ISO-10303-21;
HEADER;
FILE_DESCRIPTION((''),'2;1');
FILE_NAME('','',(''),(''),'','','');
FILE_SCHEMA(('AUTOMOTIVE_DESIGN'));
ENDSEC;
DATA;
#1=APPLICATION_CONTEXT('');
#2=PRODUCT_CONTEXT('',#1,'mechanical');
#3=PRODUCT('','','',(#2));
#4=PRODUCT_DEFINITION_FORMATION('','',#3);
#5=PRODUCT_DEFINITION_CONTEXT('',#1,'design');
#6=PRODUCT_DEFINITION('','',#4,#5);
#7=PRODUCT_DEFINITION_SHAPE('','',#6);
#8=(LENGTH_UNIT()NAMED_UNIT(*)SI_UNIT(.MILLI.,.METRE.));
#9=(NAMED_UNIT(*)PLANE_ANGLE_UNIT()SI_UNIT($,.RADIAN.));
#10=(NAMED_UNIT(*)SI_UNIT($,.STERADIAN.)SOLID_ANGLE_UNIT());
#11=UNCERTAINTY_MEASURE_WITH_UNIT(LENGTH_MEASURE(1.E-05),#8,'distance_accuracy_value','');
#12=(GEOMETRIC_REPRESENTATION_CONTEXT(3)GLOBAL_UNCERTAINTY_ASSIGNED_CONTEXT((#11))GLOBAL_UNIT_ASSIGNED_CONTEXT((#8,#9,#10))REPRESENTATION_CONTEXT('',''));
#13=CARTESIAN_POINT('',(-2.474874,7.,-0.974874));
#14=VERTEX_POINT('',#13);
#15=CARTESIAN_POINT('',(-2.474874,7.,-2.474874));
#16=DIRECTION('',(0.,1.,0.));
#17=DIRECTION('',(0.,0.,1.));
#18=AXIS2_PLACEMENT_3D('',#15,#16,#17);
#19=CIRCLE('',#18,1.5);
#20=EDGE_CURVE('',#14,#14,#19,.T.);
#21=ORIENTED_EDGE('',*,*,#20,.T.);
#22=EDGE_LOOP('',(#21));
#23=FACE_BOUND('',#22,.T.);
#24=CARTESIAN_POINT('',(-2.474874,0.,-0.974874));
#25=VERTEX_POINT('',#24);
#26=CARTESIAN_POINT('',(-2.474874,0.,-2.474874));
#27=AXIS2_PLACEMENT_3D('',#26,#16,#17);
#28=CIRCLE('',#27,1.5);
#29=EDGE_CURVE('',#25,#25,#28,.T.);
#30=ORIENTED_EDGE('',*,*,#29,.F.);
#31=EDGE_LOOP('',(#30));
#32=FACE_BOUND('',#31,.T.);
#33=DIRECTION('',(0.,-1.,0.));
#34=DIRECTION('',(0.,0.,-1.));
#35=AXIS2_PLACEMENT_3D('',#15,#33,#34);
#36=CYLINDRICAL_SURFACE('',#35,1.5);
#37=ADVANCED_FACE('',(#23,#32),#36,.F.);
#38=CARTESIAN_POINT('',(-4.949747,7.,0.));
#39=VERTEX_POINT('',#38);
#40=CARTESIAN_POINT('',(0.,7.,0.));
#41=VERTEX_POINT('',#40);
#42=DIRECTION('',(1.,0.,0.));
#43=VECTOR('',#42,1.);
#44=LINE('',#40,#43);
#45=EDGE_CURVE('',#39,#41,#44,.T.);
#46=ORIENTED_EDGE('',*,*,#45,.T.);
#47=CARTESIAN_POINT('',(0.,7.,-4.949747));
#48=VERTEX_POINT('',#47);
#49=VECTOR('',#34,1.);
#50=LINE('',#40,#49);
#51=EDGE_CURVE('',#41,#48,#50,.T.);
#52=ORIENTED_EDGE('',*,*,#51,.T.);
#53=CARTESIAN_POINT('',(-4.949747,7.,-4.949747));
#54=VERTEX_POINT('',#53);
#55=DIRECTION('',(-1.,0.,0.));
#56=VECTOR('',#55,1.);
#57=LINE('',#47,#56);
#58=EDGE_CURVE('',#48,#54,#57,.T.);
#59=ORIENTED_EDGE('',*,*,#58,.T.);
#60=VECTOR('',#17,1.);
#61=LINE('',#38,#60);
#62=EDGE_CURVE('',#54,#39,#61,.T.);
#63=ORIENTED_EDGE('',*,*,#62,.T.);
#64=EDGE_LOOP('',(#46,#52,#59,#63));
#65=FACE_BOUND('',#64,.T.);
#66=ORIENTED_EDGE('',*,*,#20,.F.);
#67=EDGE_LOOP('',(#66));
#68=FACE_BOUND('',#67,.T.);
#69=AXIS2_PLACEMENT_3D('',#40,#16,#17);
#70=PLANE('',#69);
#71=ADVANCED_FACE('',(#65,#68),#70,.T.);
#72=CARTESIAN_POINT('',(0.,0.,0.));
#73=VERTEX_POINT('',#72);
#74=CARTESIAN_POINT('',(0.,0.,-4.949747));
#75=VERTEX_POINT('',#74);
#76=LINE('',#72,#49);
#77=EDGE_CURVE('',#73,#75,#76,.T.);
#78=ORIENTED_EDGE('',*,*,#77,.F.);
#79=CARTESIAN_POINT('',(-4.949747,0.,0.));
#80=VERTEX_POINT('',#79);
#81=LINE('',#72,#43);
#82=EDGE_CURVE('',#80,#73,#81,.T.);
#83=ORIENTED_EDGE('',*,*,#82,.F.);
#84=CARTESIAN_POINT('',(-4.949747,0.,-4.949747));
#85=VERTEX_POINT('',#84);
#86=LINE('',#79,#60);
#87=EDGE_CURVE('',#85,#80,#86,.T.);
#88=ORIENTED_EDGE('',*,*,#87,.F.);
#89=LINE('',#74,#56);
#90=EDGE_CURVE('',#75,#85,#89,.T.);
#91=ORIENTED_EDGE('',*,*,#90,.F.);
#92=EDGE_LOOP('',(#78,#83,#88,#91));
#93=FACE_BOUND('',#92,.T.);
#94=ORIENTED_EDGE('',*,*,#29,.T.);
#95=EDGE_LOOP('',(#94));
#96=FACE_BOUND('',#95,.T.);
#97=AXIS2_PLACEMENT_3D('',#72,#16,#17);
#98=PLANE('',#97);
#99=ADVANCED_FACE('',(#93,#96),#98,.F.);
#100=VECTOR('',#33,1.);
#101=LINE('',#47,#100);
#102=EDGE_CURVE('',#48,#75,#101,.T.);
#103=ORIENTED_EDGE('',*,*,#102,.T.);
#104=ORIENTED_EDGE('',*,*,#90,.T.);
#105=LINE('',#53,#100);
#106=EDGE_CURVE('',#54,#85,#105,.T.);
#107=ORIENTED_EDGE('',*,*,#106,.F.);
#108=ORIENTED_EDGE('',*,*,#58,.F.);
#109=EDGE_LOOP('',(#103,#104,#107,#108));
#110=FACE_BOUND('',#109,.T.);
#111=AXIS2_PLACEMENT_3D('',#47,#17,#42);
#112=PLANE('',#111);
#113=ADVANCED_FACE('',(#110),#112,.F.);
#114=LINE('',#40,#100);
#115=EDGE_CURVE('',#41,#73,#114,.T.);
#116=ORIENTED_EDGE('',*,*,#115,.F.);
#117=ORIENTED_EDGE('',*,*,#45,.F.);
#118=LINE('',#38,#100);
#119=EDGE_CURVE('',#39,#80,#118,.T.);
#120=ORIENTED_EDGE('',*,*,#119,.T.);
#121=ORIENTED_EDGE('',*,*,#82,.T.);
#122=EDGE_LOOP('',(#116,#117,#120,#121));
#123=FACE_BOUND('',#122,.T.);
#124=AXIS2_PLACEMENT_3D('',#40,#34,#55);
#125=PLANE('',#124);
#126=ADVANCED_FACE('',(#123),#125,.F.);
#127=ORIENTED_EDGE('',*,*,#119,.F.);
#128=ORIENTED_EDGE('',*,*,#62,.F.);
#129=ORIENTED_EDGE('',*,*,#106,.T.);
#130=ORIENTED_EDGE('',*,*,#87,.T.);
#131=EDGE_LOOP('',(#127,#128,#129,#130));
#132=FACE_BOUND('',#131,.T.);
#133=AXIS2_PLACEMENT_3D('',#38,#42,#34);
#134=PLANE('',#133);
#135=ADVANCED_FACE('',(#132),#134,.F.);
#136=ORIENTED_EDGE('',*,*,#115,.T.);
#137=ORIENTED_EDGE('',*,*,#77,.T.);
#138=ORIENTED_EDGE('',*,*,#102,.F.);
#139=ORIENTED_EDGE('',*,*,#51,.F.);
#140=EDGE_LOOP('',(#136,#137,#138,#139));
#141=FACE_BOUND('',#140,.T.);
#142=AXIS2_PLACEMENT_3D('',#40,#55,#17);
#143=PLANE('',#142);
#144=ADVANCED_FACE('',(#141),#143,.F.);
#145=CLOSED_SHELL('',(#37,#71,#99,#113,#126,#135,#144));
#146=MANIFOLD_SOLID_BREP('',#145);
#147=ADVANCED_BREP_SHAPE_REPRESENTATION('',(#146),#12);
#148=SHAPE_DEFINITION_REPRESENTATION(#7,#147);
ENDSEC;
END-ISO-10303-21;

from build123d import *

# Parameters (mm, degrees)
SKETCH1_W           = 4.949747468
SKETCH1_H           = 4.949747468
SKETCH1_R           = 1.5
BOSS_EXTRUDE1_DEPTH = 7


with BuildPart() as part:
    # Sketch1 → Boss-Extrude1 (new body)
    with BuildSketch(Plane(origin=(0, 0, 0), x_dir=(1, 0, 0), z_dir=(0, 1, 0))):
        with Locations((-2.474873734, 2.474873734)):
            Rectangle(SKETCH1_W, SKETCH1_H)
        with Locations(Location((-2.474873734, 2.474873734, 0), (0, 0, 270))):
            Circle(SKETCH1_R, mode=Mode.SUBTRACT)
    extrude(amount=BOSS_EXTRUDE1_DEPTH)


solid = part.part
